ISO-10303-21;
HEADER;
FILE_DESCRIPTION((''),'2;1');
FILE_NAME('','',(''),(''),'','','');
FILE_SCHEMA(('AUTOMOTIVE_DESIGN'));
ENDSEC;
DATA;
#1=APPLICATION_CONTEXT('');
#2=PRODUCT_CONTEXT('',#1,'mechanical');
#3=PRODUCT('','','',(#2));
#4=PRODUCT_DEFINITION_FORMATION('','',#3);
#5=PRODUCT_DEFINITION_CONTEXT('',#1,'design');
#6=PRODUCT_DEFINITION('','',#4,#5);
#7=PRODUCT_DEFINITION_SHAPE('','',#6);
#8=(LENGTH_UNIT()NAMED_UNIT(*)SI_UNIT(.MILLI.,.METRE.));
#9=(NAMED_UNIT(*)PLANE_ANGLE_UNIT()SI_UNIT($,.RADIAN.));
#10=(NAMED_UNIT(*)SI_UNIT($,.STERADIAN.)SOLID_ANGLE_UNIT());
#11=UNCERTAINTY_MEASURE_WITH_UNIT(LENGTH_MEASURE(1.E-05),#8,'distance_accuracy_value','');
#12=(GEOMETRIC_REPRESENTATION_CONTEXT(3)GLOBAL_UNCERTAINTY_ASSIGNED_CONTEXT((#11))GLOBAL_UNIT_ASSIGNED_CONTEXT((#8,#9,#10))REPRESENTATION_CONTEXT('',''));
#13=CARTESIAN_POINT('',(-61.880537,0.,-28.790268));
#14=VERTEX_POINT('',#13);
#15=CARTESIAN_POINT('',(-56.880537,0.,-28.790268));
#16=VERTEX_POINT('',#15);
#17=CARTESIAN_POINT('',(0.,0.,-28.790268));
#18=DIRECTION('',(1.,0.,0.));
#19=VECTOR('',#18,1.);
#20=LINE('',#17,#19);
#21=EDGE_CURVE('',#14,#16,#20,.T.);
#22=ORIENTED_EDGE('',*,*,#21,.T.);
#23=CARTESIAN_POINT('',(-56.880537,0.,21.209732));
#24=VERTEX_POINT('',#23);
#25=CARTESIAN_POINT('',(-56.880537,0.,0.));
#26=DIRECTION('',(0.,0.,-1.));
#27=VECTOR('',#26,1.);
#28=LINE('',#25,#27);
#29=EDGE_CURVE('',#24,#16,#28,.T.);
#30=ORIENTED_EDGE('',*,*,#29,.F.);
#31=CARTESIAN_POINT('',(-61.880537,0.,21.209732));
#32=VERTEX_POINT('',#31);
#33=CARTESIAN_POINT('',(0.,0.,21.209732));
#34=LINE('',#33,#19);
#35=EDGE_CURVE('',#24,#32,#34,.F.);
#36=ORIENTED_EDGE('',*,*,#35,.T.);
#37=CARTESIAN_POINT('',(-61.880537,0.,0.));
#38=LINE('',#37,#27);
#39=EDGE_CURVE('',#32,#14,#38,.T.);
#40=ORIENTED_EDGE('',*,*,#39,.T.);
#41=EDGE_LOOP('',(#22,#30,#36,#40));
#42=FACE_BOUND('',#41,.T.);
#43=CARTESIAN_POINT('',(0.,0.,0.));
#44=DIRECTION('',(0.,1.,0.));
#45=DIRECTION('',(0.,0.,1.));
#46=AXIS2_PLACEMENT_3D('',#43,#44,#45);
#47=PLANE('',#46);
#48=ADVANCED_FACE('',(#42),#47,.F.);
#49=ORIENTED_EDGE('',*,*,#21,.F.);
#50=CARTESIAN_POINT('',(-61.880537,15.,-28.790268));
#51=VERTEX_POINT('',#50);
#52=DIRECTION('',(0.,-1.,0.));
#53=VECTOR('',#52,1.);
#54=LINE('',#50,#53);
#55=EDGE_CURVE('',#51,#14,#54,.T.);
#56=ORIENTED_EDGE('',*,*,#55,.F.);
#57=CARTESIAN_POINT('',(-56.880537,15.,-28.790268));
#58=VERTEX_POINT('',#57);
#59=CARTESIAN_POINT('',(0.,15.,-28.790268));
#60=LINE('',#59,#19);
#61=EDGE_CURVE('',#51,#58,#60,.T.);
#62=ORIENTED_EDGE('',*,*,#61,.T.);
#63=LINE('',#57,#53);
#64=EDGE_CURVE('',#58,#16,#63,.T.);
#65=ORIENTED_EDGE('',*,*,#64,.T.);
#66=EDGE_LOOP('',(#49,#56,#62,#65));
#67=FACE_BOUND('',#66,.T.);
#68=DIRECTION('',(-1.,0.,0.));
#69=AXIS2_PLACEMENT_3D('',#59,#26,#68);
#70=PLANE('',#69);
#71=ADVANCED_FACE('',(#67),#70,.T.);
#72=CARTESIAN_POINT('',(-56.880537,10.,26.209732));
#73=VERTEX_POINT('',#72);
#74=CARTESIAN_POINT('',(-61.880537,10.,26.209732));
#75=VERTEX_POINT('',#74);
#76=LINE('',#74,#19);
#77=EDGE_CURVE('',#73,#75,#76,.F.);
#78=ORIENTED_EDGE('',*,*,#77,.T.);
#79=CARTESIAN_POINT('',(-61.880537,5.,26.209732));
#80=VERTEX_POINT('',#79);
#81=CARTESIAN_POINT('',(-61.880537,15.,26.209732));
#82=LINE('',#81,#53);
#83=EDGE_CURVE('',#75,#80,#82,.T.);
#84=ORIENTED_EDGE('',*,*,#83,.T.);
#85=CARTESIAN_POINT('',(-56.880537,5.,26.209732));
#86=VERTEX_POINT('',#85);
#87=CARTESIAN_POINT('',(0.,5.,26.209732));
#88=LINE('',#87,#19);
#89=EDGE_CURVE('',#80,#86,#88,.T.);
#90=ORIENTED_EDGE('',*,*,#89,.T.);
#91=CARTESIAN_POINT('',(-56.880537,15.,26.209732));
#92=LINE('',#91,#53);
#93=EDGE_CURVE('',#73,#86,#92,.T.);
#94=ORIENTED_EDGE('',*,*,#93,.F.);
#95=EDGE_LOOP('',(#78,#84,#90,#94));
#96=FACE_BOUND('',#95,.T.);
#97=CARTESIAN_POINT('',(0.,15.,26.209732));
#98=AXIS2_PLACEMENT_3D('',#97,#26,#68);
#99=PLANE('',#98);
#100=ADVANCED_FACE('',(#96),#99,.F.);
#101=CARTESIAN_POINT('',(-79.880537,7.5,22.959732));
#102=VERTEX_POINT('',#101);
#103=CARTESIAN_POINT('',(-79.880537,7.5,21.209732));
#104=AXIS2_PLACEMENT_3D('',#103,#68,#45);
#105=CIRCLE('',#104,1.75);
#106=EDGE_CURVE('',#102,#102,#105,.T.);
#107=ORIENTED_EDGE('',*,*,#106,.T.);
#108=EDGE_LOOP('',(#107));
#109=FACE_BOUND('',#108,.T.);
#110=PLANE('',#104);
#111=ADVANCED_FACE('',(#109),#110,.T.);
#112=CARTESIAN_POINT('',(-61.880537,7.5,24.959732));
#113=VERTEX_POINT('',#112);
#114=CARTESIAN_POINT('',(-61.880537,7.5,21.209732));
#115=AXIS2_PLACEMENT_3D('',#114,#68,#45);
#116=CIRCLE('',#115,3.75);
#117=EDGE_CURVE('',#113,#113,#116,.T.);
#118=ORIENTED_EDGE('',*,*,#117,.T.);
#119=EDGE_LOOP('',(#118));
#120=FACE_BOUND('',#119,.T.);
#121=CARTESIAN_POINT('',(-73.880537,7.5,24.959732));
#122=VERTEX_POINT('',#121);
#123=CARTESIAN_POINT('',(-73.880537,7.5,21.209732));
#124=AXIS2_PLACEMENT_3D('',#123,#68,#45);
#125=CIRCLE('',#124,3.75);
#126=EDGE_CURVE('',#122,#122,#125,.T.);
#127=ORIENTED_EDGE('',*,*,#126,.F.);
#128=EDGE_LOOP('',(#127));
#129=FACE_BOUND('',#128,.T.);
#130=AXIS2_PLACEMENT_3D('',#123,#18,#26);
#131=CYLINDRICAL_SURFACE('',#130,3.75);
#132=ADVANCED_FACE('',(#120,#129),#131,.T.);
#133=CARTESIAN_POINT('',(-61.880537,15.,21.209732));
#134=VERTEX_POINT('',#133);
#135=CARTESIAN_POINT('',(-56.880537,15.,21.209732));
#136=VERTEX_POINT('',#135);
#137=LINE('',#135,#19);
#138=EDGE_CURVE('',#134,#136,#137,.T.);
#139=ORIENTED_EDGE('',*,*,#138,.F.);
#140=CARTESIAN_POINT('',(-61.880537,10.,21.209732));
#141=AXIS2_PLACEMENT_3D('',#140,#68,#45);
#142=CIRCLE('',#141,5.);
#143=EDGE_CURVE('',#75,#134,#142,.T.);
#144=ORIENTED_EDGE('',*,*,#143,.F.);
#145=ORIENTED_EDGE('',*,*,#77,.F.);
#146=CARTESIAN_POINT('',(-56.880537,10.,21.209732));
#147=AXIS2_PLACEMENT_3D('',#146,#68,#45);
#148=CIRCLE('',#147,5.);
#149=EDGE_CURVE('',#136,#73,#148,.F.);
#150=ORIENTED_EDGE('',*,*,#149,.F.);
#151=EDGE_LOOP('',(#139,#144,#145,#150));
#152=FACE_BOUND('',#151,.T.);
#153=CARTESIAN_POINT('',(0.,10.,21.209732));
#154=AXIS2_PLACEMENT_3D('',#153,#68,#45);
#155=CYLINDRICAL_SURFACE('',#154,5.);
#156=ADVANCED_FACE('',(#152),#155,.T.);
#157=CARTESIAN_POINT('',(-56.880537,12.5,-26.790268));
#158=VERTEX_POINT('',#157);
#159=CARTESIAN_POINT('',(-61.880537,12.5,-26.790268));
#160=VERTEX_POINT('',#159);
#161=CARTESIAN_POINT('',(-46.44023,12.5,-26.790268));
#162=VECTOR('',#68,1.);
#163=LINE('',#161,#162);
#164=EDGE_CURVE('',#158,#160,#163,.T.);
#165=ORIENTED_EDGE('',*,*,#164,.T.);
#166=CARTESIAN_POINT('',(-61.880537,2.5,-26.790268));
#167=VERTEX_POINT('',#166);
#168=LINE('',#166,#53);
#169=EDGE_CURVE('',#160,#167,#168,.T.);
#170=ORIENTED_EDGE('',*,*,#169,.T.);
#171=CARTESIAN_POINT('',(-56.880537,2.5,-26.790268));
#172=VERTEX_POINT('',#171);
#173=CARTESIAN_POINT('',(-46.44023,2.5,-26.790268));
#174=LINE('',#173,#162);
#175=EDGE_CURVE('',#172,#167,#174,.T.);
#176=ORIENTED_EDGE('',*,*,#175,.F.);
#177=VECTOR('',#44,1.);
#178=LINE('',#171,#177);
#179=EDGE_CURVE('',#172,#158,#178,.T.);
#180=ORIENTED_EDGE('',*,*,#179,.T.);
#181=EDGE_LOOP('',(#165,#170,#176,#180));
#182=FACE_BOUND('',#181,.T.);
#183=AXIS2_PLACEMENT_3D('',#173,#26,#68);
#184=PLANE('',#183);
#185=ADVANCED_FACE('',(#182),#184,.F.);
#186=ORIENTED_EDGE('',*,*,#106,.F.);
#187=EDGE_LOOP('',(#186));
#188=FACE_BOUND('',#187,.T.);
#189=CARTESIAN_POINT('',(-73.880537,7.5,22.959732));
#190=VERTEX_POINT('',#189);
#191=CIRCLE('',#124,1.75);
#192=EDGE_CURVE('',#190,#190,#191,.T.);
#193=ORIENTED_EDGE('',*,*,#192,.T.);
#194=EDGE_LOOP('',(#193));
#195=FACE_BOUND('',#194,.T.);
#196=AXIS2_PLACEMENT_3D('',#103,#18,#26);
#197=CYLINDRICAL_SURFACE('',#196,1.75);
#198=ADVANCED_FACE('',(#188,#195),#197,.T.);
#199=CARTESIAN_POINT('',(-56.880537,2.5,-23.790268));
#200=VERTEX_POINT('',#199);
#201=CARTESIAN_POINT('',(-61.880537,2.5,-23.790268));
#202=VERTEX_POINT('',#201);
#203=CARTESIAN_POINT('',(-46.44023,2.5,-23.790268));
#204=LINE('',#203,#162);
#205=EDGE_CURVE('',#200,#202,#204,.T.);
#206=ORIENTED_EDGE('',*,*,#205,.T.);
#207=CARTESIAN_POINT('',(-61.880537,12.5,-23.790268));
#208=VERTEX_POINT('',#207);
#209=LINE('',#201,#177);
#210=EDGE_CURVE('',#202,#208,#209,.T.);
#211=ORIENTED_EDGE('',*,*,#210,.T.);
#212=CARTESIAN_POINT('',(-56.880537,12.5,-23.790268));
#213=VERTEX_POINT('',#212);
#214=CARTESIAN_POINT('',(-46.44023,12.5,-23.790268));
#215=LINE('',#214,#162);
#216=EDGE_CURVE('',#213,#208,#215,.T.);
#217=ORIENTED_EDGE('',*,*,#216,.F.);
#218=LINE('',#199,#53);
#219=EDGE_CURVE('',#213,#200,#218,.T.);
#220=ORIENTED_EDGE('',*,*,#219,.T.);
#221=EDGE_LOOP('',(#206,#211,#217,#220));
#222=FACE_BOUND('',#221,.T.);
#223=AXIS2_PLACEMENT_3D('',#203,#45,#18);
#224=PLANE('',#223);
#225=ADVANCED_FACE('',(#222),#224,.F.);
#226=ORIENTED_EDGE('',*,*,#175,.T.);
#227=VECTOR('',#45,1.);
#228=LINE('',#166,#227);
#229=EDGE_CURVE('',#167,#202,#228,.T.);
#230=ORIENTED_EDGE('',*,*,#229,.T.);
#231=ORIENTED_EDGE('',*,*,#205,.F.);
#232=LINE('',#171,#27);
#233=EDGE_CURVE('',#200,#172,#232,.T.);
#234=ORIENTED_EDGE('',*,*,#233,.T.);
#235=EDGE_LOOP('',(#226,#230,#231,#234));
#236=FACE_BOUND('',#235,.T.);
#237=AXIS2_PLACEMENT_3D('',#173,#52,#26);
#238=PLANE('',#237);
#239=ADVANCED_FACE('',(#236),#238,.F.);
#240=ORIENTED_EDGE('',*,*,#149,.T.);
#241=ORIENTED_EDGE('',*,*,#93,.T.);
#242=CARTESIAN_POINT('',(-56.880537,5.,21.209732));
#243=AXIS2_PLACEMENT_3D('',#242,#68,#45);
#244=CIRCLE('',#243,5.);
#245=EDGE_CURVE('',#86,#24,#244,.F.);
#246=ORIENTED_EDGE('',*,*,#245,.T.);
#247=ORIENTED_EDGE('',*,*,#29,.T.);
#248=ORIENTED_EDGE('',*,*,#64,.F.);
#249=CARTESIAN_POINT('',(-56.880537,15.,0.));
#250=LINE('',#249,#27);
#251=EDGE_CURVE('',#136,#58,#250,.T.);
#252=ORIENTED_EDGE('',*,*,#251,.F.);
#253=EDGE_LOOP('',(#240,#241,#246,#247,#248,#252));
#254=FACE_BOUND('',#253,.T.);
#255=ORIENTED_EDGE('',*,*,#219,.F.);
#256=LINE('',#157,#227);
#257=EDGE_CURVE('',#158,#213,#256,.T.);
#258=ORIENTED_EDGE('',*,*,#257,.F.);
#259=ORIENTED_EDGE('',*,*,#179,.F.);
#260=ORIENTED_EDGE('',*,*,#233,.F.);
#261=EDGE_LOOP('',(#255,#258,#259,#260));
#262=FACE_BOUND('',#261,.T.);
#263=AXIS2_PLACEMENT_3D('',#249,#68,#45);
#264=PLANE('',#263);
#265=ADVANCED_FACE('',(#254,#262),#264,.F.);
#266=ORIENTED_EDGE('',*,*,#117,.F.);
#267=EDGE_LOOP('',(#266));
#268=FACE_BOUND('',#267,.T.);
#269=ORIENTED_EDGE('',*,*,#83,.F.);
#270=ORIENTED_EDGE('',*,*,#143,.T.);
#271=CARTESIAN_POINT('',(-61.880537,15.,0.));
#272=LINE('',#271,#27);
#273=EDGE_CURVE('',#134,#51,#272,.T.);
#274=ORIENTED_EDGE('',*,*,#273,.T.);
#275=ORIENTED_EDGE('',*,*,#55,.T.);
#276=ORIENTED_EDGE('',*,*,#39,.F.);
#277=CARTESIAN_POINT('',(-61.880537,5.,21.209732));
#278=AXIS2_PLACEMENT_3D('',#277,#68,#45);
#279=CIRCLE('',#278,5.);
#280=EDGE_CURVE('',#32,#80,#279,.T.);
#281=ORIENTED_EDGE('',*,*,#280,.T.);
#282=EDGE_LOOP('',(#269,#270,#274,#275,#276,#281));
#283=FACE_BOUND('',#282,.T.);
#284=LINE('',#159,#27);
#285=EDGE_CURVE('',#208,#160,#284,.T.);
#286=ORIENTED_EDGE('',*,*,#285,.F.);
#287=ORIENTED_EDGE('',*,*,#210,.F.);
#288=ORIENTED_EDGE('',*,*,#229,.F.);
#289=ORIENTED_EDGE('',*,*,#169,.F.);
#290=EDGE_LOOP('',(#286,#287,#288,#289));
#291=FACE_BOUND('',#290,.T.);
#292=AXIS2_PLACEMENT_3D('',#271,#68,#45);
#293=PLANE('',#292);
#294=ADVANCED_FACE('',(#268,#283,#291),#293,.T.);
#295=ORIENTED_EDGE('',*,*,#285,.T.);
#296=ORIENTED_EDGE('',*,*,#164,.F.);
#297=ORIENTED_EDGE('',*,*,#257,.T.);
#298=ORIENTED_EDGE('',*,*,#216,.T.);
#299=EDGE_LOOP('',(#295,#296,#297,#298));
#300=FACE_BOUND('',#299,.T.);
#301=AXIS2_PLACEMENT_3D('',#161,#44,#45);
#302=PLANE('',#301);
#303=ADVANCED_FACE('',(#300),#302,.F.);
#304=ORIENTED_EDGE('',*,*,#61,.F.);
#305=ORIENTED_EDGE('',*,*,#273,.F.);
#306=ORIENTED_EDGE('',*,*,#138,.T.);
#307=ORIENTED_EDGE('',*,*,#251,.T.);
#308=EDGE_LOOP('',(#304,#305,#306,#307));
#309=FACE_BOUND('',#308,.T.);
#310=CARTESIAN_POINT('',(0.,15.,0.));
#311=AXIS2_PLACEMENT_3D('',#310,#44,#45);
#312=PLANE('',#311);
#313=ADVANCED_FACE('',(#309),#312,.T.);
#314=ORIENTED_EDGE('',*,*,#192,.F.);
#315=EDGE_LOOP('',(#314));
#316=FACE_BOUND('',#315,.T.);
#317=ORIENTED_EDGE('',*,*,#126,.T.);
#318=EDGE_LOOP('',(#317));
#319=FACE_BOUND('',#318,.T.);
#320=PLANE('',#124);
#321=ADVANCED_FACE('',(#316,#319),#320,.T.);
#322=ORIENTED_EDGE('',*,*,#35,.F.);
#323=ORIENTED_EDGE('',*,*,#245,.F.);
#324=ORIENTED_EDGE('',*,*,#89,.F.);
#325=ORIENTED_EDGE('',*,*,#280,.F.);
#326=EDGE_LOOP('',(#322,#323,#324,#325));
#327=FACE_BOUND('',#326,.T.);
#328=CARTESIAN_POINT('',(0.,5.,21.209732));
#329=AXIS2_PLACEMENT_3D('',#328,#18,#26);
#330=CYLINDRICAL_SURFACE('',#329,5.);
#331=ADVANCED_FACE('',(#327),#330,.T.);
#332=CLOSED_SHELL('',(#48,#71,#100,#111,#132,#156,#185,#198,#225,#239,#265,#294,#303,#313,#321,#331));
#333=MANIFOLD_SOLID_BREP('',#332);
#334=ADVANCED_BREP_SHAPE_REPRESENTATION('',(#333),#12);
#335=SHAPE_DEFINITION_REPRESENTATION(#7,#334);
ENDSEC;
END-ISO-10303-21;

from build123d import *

# Parameters (mm, degrees)
SKETCH1_W           = 5
SKETCH1_H           = 55
BOSS_EXTRUDE1_DEPTH = 15
FILLET1_R           = 5
SKETCH2_W           = 3
SKETCH2_H           = 10
CUT_EXTRUDE1_DEPTH  = 5
SKETCH3_R           = 3.75
BOSS_EXTRUDE2_DEPTH = 12
SKETCH4_R           = 1.75
BOSS_EXTRUDE3_DEPTH = 6


with BuildPart() as part:
    # Sketch1 → Boss-Extrude1 (new body)
    with BuildSketch(Plane(origin=(0, 0, 0), x_dir=(1, 0, 0), z_dir=(0, 1, 0))):
        with Locations((-59.380536913, 1.290268456)):
            Rectangle(SKETCH1_W, SKETCH1_H)
    extrude(amount=BOSS_EXTRUDE1_DEPTH)

    # Fillet1
    fillet1_edges = [part.edges().sort_by_distance(p)[0] for p in [
        (-59.380536913, 15, 26.209731544),
        (-59.380536913, 0, 26.209731544),
    ]]
    fillet(fillet1_edges, radius=FILLET1_R)

    # Sketch2 → Cut-Extrude1 (cut)
    with BuildSketch(Plane.ZY.offset(61.880536913)):
        with Locations((-25.290268456, 7.5)):
            Rectangle(SKETCH2_W, SKETCH2_H)
    extrude(amount=-CUT_EXTRUDE1_DEPTH, mode=Mode.SUBTRACT)

    # Sketch3 → Boss-Extrude2 (add)
    with BuildSketch(Plane.ZY.offset(61.880536913)):
        with Locations((21.209731544, 7.5)):
            Circle(SKETCH3_R)
    extrude(amount=BOSS_EXTRUDE2_DEPTH)

    # Sketch4 → Boss-Extrude3 (add)
    with BuildSketch(Plane.ZY.offset(73.880536913)):
        with Locations((21.209731544, 7.5)):
            Circle(SKETCH4_R)
    extrude(amount=BOSS_EXTRUDE3_DEPTH)


solid = part.part
